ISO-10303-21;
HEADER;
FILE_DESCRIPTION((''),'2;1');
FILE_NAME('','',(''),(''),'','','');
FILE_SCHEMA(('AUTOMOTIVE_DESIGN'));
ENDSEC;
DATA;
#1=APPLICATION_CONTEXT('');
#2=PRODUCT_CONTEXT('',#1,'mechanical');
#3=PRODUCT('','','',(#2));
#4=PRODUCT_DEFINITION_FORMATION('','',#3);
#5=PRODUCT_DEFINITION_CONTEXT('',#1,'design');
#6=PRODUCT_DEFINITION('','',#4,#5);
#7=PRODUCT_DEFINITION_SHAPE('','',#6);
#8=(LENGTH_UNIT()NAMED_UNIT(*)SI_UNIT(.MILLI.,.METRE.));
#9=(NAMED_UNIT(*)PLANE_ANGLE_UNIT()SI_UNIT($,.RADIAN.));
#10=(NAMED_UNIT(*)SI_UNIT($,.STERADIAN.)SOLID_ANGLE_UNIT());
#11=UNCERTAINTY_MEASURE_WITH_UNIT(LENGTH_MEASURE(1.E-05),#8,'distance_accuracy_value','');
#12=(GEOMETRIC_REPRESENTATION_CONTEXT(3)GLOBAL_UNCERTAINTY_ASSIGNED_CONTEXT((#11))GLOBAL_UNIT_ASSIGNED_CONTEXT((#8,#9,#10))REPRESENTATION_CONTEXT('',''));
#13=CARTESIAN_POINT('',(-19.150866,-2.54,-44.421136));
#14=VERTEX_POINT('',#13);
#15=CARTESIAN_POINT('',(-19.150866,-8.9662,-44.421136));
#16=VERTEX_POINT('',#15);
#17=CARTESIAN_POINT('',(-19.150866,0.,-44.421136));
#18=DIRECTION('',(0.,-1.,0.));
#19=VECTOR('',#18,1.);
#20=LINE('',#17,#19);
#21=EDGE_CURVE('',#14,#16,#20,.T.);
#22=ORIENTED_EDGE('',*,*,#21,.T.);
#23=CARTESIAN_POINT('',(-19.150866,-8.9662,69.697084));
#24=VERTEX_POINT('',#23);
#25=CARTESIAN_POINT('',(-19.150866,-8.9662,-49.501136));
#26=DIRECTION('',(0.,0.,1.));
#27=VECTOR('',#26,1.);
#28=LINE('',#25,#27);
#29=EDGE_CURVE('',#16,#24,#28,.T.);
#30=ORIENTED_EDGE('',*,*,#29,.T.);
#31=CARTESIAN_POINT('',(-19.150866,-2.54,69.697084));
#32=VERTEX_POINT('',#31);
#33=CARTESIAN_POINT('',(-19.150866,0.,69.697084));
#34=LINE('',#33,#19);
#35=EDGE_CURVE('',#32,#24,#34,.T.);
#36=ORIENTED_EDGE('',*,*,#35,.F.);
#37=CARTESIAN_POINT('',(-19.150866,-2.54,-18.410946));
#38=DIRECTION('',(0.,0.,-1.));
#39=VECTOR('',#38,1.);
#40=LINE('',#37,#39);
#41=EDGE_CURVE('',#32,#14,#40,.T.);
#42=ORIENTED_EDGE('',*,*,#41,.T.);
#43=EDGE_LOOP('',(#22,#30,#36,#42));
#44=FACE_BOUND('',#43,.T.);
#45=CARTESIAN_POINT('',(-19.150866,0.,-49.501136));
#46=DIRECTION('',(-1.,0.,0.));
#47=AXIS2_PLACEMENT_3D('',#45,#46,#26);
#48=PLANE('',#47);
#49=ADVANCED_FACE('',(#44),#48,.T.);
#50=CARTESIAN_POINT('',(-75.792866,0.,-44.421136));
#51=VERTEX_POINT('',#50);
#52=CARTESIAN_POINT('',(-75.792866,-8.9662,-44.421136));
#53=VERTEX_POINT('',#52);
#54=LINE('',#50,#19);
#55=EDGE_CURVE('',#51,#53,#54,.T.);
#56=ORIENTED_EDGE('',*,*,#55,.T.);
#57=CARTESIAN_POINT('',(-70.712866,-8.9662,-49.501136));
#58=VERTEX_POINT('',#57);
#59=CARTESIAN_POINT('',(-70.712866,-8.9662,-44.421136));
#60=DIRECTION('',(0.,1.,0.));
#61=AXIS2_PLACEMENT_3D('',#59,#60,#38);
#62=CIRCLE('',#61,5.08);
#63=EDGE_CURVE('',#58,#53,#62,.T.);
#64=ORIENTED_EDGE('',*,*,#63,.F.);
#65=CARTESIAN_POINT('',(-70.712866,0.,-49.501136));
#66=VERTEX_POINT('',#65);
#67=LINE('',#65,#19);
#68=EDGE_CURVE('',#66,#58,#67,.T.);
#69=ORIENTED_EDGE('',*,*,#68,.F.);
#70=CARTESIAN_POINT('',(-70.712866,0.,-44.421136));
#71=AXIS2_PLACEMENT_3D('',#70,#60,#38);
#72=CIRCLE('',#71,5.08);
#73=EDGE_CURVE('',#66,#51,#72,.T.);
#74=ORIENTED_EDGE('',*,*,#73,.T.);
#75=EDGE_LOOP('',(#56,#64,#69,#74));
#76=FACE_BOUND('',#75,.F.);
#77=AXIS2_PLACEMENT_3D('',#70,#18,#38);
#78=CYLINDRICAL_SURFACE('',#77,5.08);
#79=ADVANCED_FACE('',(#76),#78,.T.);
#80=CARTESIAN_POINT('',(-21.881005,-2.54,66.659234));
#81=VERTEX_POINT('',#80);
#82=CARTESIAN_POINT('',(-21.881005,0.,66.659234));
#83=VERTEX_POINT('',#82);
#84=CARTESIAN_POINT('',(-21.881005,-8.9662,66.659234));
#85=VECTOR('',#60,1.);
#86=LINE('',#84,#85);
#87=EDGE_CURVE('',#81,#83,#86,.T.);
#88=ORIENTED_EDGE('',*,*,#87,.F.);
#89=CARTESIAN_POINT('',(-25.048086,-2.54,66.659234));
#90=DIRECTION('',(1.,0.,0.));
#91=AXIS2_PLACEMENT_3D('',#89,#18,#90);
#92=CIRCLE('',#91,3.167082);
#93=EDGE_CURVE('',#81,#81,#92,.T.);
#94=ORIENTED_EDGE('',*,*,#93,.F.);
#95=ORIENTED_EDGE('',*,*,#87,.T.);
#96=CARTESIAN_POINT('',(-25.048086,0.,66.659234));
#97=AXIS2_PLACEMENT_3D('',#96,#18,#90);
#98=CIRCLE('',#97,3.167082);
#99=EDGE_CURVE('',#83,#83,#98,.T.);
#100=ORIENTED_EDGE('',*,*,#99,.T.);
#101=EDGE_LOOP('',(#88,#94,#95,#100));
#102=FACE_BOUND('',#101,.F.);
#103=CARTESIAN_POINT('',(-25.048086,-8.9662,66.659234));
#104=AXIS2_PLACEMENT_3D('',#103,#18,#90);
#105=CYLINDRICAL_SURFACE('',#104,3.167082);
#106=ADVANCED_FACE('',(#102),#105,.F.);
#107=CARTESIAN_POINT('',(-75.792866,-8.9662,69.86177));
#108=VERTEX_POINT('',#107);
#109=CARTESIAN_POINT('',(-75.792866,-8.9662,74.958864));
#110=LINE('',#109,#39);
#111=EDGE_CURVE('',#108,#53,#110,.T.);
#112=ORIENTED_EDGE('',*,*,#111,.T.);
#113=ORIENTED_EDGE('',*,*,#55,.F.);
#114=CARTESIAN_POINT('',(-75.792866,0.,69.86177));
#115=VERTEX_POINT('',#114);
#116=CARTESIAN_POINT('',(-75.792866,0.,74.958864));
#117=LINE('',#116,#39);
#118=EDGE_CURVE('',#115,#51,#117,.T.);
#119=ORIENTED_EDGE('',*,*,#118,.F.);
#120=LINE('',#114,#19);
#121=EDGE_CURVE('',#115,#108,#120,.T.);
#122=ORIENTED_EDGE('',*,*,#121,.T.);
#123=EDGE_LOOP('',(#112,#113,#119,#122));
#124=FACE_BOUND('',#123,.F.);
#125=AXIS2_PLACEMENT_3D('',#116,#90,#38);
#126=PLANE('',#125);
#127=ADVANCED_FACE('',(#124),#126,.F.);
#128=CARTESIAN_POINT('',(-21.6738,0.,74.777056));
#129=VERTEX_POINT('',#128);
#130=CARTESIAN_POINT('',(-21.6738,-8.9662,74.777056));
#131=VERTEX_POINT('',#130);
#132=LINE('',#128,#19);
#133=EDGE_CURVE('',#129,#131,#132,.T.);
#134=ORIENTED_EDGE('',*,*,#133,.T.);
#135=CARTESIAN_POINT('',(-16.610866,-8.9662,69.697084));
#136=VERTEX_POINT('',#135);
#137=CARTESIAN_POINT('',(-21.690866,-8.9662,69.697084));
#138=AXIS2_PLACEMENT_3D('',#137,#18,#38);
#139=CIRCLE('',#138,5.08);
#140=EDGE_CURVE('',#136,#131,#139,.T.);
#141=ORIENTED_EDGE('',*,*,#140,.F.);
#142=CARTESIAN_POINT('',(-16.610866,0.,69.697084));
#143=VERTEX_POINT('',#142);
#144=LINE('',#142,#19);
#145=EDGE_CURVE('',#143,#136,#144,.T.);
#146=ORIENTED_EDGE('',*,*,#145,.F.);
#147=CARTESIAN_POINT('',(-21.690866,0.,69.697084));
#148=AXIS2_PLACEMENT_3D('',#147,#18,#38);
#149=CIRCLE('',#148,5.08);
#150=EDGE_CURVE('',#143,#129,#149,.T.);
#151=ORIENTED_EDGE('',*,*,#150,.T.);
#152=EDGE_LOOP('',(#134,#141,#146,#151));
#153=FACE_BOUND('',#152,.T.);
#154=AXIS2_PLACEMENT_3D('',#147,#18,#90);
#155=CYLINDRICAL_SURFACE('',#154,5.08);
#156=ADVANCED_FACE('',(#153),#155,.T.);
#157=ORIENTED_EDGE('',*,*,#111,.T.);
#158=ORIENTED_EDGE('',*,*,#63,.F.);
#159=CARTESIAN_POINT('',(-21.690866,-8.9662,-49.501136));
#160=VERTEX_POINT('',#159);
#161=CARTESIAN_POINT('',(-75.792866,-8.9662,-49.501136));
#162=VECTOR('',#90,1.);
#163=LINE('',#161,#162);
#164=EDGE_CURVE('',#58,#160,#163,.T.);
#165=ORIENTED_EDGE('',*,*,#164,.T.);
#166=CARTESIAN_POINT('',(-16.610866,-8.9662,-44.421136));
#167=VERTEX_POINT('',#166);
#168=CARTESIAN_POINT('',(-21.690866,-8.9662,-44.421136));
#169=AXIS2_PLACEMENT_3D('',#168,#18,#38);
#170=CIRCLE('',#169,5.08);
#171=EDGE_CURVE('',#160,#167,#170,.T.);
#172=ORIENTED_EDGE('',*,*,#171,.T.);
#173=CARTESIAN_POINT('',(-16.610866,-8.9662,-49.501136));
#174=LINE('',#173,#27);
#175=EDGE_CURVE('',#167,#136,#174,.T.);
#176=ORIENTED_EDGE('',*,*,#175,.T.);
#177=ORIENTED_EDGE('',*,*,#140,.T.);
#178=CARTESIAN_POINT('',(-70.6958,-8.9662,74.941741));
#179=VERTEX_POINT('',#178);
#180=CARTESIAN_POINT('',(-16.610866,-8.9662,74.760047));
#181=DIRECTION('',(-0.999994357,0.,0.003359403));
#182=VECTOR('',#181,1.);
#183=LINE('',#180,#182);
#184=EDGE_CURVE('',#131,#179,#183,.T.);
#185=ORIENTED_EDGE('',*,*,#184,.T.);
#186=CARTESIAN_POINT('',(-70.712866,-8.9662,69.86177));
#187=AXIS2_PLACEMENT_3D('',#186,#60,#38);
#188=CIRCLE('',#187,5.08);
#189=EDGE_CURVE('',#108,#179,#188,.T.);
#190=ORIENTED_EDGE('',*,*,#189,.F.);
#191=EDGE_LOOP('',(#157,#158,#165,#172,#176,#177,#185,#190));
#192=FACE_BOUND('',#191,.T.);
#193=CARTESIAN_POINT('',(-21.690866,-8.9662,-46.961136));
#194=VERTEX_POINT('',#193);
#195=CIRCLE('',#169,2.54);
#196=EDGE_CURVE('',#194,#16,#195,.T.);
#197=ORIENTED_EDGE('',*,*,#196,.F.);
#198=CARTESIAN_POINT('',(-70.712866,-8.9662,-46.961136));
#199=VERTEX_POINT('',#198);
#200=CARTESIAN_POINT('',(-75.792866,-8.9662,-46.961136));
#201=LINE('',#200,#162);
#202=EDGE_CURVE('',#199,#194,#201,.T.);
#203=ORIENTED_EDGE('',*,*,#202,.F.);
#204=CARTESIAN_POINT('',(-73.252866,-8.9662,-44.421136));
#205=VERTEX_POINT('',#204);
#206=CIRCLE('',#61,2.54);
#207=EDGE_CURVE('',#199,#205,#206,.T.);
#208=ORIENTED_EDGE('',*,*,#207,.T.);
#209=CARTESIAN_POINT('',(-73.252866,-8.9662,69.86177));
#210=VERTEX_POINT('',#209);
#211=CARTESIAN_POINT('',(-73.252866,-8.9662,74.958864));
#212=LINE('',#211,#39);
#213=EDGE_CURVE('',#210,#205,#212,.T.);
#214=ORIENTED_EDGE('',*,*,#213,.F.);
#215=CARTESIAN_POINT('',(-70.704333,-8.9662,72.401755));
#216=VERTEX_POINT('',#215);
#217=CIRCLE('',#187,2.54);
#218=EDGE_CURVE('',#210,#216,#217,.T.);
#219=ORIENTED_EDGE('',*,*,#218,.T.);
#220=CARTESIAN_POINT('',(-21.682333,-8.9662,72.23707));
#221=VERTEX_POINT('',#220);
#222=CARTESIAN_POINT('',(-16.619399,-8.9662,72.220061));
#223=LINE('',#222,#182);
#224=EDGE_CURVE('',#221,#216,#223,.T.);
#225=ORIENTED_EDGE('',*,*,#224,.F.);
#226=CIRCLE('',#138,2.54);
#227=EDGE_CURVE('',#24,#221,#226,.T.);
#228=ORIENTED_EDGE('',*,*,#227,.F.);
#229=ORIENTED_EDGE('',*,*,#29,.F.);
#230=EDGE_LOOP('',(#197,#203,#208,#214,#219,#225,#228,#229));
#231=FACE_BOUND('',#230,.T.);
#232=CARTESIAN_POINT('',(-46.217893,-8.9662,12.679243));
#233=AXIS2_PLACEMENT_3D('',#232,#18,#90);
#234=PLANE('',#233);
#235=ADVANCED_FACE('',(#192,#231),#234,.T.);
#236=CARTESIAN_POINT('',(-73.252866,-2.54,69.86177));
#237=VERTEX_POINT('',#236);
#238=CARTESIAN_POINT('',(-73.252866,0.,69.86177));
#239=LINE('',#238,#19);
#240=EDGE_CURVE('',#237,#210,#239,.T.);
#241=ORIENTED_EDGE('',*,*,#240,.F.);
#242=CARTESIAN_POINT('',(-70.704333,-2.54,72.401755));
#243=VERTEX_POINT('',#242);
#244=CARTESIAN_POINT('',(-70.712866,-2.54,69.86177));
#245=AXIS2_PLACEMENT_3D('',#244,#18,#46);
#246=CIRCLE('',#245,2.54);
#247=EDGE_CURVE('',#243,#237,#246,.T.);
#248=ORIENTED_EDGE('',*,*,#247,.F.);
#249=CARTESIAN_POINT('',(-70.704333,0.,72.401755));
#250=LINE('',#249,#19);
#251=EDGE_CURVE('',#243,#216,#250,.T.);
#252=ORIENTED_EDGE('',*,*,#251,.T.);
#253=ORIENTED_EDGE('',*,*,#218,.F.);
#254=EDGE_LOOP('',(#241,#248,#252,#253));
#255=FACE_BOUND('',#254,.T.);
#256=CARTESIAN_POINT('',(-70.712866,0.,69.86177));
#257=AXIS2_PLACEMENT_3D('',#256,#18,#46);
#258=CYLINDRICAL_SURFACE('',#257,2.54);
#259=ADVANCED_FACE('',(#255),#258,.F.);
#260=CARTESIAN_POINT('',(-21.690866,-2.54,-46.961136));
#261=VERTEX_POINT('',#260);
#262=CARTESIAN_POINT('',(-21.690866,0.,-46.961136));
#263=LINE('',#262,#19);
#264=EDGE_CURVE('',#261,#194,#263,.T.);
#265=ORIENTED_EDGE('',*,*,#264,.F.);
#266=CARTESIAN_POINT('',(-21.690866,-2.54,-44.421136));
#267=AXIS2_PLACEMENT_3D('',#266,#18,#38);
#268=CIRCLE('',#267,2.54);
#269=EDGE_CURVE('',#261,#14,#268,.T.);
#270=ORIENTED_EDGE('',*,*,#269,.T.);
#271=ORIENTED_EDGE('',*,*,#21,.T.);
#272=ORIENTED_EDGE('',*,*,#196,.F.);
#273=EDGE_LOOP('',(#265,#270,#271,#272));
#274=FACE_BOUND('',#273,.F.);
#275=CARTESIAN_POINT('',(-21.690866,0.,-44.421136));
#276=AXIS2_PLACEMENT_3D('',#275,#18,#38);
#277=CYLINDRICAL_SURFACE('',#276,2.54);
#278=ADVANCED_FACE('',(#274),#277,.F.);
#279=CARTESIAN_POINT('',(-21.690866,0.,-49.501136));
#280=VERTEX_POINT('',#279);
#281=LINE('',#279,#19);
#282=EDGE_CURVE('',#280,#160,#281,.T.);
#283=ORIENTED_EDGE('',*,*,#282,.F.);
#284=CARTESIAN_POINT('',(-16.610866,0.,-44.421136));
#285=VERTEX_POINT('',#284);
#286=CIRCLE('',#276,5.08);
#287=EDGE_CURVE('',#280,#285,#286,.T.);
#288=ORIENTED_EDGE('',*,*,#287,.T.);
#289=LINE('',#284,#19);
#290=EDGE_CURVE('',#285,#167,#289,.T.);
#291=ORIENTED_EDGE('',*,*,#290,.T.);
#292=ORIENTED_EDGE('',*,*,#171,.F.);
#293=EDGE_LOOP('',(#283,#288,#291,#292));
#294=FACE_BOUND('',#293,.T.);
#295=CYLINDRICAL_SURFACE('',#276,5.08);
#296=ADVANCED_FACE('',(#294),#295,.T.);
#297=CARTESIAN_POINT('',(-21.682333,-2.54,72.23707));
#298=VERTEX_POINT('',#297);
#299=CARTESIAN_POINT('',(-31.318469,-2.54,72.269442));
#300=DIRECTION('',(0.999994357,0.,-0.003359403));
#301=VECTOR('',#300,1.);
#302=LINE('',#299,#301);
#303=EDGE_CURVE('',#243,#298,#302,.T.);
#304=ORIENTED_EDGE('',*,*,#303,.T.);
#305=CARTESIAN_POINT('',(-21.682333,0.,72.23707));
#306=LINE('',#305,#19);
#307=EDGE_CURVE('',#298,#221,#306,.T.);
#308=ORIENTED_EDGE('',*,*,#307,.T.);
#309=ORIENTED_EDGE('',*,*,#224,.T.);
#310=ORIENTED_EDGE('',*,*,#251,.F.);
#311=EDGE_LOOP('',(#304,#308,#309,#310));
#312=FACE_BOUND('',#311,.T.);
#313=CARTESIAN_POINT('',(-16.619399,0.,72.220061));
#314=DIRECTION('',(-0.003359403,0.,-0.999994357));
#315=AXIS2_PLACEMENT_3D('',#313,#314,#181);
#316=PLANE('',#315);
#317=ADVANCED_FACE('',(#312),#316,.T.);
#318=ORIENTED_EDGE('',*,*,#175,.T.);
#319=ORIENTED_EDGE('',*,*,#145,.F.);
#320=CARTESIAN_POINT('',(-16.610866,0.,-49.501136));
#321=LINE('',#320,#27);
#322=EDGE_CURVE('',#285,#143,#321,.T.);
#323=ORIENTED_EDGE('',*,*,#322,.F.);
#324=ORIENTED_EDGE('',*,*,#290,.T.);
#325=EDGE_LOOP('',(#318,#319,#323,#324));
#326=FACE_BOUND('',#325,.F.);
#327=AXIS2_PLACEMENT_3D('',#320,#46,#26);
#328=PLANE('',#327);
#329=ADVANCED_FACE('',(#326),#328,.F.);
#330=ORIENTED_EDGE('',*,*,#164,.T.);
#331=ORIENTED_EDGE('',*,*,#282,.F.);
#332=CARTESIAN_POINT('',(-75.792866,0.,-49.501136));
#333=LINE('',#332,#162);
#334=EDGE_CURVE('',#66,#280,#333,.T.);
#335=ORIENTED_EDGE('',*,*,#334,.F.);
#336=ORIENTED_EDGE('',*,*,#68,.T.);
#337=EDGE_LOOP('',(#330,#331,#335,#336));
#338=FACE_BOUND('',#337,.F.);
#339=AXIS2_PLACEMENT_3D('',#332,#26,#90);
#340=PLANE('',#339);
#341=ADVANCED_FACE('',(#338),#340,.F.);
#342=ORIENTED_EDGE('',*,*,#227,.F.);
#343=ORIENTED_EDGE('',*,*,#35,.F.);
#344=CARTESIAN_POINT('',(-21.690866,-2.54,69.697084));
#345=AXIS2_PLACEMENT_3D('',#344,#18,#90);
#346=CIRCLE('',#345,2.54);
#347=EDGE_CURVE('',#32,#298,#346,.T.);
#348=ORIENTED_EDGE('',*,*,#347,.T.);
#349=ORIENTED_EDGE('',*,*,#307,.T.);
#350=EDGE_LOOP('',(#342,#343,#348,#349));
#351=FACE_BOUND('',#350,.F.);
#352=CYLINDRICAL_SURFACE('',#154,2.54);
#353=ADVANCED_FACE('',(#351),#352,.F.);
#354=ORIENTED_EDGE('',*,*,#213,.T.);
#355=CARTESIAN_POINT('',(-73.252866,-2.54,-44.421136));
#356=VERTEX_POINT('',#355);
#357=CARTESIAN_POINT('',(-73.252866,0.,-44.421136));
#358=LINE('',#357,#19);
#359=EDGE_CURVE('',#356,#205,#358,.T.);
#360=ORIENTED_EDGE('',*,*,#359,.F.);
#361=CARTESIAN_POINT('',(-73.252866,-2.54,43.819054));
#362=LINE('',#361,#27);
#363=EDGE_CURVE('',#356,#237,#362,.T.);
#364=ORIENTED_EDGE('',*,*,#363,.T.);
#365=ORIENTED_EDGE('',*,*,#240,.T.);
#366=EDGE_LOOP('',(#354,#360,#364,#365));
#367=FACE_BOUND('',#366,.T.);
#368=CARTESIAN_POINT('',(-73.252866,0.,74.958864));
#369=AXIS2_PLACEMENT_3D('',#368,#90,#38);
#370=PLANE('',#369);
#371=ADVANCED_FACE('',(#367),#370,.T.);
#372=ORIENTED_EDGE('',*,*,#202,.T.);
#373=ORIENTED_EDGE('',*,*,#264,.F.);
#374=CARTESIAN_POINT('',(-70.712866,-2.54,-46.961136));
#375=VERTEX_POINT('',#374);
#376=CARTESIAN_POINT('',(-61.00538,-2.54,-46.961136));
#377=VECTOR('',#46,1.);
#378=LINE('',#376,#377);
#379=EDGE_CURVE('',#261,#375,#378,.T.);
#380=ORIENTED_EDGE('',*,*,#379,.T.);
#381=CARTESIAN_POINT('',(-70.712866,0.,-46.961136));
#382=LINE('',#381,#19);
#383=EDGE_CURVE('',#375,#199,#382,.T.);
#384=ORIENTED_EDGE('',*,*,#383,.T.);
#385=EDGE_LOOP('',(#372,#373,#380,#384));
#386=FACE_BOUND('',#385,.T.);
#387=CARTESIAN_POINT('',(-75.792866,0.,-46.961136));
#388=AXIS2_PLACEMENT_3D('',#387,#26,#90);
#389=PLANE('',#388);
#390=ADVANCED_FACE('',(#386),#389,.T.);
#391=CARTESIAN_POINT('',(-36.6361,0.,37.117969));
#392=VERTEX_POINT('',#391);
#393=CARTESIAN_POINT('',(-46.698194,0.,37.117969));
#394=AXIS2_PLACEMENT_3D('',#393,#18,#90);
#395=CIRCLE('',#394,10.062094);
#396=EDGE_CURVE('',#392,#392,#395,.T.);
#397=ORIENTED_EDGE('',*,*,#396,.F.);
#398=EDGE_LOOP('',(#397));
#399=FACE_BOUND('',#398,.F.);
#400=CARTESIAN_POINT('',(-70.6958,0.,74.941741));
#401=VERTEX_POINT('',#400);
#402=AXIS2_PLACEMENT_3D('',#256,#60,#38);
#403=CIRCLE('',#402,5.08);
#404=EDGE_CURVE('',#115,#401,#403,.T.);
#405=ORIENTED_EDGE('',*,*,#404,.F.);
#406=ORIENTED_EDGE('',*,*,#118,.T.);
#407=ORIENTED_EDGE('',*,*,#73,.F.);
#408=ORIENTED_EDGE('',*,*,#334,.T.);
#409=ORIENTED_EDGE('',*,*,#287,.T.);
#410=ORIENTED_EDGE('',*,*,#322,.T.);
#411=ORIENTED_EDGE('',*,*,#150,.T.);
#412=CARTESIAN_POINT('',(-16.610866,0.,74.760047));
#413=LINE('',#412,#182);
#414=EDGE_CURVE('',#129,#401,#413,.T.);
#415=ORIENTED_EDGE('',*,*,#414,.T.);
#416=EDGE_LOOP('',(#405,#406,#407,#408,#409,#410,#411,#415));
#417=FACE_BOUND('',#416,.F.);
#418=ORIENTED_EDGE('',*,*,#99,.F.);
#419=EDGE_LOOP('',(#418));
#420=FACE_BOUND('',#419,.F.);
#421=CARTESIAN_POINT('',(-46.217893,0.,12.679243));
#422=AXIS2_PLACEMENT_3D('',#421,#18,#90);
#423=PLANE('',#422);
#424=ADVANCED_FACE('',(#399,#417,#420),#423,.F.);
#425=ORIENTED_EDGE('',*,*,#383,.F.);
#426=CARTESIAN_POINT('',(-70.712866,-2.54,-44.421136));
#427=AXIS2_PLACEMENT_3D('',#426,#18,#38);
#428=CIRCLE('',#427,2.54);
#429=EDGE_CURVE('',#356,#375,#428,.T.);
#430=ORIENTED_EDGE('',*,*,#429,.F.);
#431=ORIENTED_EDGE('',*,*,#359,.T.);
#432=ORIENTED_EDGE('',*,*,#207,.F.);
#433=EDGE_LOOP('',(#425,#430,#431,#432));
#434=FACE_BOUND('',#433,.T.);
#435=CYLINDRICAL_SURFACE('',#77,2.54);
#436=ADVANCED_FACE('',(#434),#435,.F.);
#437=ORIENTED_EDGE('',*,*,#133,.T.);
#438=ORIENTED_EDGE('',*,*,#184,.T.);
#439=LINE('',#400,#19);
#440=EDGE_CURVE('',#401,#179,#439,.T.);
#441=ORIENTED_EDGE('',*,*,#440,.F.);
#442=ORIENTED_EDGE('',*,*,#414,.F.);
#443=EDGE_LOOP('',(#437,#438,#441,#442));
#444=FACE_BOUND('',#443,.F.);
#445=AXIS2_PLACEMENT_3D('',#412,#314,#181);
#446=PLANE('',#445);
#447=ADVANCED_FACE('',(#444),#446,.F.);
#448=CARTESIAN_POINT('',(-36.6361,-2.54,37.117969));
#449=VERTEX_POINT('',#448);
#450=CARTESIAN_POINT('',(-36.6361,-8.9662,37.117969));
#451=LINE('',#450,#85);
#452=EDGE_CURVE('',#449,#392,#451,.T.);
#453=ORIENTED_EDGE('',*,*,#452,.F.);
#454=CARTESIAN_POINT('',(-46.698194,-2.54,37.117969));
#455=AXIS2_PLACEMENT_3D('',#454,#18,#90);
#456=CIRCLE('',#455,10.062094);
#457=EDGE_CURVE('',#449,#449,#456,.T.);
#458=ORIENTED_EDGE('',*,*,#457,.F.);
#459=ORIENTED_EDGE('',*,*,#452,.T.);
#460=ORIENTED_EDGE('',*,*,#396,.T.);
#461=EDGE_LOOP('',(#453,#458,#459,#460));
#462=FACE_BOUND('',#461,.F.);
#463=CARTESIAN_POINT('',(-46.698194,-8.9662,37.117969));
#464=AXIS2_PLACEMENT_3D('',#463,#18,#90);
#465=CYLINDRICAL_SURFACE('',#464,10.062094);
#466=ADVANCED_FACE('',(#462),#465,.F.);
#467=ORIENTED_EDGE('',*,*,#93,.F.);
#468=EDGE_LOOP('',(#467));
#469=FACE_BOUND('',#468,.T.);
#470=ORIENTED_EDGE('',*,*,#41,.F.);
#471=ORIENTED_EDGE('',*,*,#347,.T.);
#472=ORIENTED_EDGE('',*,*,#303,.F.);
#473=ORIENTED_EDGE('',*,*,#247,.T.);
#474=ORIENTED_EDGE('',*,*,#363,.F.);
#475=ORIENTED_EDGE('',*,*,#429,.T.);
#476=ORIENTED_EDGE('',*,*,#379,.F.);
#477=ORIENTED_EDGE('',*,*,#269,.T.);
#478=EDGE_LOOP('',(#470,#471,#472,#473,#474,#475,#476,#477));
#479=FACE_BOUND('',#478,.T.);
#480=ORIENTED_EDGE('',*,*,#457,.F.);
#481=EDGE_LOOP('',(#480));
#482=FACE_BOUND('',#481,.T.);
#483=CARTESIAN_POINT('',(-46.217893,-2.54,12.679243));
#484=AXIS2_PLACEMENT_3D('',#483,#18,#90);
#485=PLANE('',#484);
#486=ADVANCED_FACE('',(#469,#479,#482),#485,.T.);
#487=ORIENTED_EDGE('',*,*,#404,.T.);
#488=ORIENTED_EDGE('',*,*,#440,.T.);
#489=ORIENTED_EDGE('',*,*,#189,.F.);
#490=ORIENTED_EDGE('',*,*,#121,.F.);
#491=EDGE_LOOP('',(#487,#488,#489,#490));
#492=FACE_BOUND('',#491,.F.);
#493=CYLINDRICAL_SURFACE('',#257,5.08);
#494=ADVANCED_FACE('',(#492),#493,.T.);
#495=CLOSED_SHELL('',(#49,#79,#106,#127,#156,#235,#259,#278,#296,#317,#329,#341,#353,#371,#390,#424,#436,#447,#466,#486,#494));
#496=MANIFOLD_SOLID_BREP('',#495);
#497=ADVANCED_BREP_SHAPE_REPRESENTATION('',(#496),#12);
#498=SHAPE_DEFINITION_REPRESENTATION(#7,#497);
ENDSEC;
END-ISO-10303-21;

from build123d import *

# Parameters (mm, degrees)
F1_DEPTH = 8.9662
F2_R     = 5.08
F3_R     = 5.08
F4_R     = 3.1670818849
F5_DEPTH = 25.4
F6_R     = 10.0620941007
F7_DEPTH = 25.4
F8_T     = -2.54


with BuildPart() as f1:
    # F0 (on Front) → F1 (new body)
    with BuildSketch(Plane.XZ):
        Polygon((-75.792866245, 74.9588643271), (-75.792866245, -49.5011356729), (-16.610866245, -49.5011356729), (-16.610866245, 74.7600470389), align=None)
    extrude(amount=F1_DEPTH)

    # F2
    f2_edges = [f1.edges().sort_by_distance(p)[0] for p in [
        (-16.610866, -4.4831, 74.760047),
        (-16.610866, -4.4831, -49.501136),
    ]]
    fillet(f2_edges, radius=F2_R)

    # F3
    f3_edges = [f1.edges().sort_by_distance(p)[0] for p in [
        (-75.792866, -4.4831, 74.958864),
        (-75.792866, -4.4831, -49.501136),
    ]]
    fillet(f3_edges, radius=F3_R)

    # F4 (on face) → F5 (cut)
    with BuildSketch(Plane.XZ.offset(8.9662)):
        with Locations((-25.0480864197, 66.6592344642)):
            Circle(F4_R)
    extrude(amount=-F5_DEPTH, mode=Mode.SUBTRACT)

    # F6 (on face) → F7 (cut)
    with BuildSketch(Plane.XZ.offset(8.9662)):
        with Locations((-46.6981939971, 37.1179692447)):
            Circle(F6_R)
    extrude(amount=-F7_DEPTH, mode=Mode.SUBTRACT)

    # F8
    f8_openings = [f1.faces().sort_by_distance(p)[0] for p in [
        (-46.282621, -8.9662, 11.323406),
        (-56.760288, -4.4831, 37.117969),
        (-28.215168, -4.4831, 66.659234),
    ]]
    offset(amount=F8_T, openings=f8_openings)


solid = f1.part
